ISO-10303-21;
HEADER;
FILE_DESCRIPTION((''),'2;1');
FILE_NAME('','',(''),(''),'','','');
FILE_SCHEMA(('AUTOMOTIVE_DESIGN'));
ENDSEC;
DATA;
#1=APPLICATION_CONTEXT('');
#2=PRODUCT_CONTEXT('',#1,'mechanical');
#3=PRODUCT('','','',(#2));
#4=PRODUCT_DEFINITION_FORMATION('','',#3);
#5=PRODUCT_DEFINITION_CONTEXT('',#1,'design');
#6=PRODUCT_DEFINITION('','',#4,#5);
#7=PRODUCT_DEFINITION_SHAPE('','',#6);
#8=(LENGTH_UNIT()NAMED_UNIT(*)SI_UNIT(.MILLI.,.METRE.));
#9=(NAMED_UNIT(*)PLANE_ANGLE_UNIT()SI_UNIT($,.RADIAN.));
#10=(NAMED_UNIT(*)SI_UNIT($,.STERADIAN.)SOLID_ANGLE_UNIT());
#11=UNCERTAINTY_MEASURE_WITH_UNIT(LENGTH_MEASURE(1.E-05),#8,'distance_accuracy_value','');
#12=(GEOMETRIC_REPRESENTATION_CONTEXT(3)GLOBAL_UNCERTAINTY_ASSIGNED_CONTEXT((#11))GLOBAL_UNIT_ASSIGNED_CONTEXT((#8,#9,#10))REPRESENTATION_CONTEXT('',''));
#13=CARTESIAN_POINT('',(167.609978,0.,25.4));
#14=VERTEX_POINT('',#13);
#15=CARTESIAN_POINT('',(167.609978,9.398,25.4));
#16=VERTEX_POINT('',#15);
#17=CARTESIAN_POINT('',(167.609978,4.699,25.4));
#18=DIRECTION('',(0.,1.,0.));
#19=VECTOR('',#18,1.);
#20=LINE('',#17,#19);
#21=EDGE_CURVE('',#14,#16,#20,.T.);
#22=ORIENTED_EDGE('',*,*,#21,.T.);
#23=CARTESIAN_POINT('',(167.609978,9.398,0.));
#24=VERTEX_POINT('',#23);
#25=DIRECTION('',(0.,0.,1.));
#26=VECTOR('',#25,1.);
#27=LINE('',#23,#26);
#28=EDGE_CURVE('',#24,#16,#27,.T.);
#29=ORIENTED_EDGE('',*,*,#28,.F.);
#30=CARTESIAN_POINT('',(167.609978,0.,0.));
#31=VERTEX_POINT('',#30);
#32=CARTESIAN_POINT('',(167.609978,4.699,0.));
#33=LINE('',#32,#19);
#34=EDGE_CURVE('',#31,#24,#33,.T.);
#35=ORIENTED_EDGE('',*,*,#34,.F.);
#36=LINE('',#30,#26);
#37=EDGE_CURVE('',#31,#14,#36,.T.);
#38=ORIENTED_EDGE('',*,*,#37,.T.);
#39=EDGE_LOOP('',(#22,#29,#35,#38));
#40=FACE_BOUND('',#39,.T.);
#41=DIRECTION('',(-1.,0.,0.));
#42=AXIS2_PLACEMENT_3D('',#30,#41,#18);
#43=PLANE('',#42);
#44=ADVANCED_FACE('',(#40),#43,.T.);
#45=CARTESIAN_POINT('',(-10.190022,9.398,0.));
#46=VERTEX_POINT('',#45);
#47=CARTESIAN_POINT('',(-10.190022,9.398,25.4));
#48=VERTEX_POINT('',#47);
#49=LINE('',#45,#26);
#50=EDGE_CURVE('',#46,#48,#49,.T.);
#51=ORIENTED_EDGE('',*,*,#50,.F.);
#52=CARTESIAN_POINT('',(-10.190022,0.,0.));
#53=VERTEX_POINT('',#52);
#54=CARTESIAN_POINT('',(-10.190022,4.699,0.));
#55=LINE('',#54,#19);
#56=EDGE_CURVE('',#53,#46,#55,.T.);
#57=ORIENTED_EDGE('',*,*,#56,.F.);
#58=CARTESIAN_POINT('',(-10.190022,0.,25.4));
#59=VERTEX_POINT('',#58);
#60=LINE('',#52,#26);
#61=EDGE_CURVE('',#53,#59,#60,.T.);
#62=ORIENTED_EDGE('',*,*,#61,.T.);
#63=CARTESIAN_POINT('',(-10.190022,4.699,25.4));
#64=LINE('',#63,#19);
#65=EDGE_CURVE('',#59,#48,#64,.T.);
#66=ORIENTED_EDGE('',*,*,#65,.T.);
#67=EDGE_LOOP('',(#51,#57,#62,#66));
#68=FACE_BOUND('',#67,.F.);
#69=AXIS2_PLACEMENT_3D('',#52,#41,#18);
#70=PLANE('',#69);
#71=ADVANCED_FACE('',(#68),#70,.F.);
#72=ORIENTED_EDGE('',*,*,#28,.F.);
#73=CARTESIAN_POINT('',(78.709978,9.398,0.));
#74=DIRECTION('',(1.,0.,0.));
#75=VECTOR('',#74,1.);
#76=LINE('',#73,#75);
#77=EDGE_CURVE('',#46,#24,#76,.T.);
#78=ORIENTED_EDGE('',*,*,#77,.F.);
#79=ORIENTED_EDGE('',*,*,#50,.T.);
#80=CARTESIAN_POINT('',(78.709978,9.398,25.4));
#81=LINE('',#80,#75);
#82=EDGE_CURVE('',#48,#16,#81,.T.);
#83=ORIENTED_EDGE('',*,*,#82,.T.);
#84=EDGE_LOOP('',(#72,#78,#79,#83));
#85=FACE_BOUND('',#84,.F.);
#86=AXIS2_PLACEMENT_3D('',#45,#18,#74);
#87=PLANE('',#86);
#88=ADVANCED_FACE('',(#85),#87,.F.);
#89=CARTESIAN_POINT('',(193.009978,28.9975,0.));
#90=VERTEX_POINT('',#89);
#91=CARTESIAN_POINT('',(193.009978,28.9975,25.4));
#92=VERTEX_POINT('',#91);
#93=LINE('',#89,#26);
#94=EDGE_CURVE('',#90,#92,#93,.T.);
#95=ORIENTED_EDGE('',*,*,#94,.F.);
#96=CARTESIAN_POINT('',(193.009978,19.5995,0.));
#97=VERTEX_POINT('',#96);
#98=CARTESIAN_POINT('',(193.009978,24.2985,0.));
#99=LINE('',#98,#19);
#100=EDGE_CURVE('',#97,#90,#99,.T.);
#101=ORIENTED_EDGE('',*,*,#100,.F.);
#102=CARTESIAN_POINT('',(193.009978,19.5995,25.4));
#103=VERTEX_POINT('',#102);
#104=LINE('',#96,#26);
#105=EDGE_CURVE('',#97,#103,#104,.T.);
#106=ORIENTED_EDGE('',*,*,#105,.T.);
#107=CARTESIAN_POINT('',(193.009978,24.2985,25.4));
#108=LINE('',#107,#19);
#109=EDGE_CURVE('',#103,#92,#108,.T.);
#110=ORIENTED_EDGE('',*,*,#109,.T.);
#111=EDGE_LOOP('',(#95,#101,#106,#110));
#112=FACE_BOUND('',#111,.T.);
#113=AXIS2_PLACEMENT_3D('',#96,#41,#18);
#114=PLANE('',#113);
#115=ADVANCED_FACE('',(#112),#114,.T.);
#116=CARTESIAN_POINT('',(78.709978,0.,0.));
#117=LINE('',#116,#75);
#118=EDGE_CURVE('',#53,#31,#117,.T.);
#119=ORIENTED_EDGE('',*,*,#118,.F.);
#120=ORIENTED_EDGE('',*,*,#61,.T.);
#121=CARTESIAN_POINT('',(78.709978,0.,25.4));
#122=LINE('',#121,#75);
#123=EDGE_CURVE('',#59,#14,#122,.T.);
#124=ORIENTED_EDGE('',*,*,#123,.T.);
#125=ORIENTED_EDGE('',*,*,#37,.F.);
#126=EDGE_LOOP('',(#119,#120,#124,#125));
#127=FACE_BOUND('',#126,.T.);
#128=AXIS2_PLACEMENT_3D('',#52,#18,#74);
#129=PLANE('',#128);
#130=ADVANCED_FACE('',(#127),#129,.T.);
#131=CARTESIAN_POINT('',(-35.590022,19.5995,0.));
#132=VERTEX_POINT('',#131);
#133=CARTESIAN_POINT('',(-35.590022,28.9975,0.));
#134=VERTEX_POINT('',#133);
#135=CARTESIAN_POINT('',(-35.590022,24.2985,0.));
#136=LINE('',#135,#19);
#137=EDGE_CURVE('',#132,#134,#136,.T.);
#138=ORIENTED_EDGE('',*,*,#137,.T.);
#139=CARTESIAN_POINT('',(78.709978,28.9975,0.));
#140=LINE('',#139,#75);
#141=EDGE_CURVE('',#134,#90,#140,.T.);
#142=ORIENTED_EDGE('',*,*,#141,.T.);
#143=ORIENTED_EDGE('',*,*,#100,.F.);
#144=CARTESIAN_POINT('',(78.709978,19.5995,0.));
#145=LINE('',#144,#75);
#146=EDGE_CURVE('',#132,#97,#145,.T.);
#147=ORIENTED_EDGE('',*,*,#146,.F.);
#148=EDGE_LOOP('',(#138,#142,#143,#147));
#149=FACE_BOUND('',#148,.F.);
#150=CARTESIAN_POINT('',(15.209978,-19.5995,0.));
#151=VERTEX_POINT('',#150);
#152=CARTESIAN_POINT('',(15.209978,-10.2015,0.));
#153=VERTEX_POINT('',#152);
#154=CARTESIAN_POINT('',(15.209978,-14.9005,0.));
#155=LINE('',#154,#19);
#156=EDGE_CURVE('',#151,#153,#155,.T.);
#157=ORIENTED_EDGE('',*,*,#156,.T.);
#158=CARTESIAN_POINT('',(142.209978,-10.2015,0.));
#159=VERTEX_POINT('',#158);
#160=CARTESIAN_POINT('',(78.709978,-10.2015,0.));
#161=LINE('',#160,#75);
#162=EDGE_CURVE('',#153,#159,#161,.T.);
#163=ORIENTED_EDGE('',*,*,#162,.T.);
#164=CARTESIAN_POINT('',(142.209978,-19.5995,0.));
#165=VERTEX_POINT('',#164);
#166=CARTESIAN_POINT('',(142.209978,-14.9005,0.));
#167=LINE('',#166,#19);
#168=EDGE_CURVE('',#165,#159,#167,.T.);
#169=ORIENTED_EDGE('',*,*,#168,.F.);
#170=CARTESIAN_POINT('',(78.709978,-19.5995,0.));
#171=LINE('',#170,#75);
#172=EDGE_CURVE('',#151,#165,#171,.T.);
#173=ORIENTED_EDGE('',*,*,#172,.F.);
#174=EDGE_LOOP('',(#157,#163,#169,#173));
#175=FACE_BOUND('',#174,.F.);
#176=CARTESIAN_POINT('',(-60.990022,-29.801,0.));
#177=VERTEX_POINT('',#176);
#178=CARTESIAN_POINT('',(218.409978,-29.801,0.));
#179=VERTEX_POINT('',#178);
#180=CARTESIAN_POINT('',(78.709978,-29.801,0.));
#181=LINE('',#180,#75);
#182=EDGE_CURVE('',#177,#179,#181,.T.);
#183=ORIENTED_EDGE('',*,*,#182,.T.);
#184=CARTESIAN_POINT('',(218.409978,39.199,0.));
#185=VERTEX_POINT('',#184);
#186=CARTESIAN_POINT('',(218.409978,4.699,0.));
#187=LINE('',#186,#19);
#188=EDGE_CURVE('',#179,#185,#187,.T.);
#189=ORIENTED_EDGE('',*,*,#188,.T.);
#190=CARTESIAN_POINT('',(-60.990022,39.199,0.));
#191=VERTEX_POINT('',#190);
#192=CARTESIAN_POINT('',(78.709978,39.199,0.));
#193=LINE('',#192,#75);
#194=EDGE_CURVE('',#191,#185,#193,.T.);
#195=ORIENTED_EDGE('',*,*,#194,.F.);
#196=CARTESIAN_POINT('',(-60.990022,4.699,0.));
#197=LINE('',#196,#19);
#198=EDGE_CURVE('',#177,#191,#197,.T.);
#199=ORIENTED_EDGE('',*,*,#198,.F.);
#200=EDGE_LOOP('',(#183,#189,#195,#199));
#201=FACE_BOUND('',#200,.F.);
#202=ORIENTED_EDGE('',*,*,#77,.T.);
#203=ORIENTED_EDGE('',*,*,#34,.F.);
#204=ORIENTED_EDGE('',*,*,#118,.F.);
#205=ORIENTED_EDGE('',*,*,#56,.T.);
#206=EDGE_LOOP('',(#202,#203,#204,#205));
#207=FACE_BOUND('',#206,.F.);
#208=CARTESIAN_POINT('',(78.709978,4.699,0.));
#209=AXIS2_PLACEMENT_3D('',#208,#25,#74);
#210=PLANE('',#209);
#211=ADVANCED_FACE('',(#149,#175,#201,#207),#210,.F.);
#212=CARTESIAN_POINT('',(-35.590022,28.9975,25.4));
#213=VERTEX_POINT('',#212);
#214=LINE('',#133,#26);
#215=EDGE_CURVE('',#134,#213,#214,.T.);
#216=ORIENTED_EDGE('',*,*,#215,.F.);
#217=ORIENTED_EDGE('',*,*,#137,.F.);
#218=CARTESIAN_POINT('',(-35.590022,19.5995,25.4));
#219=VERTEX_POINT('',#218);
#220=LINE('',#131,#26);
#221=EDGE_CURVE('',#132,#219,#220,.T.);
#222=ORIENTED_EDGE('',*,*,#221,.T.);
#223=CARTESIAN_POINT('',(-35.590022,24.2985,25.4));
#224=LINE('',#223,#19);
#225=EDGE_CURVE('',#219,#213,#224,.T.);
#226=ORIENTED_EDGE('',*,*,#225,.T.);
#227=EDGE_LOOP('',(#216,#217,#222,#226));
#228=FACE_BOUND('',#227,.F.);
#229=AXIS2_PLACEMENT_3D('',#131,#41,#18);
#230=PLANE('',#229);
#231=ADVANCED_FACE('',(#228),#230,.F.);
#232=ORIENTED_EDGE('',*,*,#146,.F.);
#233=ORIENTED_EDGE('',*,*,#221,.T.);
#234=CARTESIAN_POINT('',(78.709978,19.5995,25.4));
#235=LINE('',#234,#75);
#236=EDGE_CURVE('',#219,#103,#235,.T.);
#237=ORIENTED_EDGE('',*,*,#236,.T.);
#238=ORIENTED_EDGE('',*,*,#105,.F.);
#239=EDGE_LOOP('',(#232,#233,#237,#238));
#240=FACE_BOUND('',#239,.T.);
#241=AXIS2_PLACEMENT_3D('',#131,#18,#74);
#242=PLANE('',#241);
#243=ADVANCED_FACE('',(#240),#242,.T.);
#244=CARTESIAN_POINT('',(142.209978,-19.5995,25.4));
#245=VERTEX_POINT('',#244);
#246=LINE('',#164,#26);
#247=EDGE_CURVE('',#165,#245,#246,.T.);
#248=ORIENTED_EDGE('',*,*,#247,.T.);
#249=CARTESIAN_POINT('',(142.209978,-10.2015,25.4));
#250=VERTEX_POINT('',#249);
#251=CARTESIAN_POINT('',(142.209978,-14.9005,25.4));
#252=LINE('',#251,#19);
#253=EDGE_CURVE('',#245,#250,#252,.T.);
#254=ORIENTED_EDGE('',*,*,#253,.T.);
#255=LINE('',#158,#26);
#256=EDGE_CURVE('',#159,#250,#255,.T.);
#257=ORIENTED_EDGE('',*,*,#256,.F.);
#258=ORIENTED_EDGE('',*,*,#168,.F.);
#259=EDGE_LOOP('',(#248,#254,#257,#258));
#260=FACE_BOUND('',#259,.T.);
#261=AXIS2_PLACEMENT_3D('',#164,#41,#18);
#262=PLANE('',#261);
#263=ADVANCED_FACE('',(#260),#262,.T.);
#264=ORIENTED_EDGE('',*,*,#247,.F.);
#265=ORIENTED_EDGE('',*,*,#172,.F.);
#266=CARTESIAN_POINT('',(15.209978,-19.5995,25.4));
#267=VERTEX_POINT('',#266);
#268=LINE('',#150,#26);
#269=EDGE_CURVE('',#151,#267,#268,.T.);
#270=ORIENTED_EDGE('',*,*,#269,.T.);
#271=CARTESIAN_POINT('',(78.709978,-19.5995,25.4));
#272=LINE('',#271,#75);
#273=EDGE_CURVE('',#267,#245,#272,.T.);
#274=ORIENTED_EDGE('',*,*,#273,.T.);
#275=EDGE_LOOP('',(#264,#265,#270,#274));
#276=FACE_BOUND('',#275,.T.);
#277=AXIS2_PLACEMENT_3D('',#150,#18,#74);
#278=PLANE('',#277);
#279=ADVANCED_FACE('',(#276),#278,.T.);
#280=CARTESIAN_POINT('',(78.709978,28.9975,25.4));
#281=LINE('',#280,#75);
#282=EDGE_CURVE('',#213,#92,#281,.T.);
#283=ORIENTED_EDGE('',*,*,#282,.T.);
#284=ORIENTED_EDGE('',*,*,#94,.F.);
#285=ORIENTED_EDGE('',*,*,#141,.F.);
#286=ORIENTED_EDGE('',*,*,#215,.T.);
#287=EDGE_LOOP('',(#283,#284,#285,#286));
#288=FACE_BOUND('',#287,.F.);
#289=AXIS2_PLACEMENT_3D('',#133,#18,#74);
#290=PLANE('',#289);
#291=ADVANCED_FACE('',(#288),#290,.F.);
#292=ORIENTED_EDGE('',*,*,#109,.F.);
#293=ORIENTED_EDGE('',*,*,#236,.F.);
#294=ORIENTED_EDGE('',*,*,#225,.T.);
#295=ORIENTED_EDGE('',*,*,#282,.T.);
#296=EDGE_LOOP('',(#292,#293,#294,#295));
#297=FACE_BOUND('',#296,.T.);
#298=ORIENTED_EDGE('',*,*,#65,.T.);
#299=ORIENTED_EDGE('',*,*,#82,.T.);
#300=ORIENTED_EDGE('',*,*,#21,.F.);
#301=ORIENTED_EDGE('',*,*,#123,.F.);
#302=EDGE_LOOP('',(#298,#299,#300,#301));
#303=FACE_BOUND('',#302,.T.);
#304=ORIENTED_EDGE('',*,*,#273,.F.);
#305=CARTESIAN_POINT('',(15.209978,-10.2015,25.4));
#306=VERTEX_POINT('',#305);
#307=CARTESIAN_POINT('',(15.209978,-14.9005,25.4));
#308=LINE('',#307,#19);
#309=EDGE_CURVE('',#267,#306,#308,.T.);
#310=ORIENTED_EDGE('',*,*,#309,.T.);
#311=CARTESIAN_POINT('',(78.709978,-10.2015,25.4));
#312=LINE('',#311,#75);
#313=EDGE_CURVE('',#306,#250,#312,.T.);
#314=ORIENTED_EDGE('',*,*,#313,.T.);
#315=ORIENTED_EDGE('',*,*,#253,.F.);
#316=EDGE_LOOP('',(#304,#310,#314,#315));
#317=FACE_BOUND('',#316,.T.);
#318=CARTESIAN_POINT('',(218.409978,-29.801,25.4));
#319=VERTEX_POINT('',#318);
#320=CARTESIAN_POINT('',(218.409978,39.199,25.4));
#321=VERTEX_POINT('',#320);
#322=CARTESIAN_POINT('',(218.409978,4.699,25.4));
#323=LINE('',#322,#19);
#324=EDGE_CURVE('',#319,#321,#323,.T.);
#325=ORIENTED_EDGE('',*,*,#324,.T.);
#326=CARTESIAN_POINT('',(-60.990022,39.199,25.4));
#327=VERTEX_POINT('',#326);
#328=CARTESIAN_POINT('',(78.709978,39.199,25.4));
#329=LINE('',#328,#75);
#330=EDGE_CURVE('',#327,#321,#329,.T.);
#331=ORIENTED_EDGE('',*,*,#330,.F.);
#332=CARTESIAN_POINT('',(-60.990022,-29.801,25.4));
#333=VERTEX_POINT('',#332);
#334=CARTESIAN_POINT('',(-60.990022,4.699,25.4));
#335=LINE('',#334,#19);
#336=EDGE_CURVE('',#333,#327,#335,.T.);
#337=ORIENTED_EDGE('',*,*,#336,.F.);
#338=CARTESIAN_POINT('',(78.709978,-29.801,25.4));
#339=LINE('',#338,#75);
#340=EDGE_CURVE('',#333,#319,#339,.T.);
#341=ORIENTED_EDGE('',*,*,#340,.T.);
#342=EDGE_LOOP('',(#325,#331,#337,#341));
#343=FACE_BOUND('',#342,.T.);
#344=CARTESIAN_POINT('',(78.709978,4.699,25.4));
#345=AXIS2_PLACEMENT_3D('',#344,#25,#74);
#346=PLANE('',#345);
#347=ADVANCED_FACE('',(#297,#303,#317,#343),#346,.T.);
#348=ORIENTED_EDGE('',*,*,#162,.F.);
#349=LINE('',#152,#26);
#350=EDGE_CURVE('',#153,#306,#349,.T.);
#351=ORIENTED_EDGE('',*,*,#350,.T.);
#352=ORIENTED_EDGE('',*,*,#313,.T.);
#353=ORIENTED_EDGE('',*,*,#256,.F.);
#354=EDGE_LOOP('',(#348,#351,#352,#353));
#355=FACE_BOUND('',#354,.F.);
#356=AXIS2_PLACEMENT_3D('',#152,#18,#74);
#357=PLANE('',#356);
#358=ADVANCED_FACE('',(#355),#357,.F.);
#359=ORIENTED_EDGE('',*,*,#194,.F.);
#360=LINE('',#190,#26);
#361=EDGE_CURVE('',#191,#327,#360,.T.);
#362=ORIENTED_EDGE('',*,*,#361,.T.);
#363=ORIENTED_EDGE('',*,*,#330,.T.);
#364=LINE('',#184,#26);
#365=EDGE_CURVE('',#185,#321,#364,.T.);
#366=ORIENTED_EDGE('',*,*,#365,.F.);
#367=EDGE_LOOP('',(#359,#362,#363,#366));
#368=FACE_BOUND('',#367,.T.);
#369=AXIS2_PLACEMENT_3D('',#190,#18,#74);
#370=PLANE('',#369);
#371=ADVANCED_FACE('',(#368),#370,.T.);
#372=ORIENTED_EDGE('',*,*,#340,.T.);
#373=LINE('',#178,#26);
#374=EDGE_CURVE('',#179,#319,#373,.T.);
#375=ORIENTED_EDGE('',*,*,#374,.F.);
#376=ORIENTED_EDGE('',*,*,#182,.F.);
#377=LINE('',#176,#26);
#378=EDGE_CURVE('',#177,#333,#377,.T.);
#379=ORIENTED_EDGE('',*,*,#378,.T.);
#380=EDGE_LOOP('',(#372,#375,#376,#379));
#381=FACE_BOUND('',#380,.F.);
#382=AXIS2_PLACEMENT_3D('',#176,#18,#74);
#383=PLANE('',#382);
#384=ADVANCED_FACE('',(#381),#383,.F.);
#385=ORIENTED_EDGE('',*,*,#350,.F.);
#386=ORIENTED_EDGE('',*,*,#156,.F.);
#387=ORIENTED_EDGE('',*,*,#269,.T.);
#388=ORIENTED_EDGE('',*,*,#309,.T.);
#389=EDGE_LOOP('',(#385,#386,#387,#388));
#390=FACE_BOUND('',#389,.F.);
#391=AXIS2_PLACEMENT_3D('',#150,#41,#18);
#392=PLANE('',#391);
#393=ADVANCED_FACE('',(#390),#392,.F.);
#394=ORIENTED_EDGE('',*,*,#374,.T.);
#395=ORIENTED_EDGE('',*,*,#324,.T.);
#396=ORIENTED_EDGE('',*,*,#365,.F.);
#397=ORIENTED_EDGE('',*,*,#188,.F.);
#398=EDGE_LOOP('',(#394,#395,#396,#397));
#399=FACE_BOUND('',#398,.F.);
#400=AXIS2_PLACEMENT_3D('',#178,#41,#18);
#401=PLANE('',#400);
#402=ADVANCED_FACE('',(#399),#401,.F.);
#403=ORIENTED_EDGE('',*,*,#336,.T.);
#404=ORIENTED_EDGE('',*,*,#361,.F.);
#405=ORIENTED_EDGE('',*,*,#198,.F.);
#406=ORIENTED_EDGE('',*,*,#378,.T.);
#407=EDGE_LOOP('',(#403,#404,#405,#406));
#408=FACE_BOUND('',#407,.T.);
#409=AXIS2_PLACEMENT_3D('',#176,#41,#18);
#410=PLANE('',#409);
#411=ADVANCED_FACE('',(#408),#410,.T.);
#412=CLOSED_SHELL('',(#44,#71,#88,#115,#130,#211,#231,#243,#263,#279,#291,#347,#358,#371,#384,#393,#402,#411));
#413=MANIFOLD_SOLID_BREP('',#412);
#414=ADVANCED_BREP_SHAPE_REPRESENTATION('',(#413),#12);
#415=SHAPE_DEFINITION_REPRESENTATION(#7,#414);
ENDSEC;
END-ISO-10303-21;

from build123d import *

# Parameters (mm, degrees)
F0_W     = 279.4
F0_H     = 69
F0_W_2   = 127
F0_H_2   = 9.398
F0_W_3   = 177.8
F0_W_4   = 228.6
F1_DEPTH = 25.4


with BuildPart() as f1:
    # F0 (on Top) → F1 (new body)
    with BuildSketch(Plane.XY):
        with Locations((78.709978, 4.699)):
            Rectangle(F0_W, F0_H)
        with Locations((78.709978, -14.9005)):
            Rectangle(F0_W_2, F0_H_2, mode=Mode.SUBTRACT)
        with Locations((78.709978, 4.699)):
            Rectangle(F0_W_3, F0_H_2, mode=Mode.SUBTRACT)
        with Locations((78.709978, 24.2985)):
            Rectangle(F0_W_4, F0_H_2, mode=Mode.SUBTRACT)
    extrude(amount=F1_DEPTH)


solid = f1.part
